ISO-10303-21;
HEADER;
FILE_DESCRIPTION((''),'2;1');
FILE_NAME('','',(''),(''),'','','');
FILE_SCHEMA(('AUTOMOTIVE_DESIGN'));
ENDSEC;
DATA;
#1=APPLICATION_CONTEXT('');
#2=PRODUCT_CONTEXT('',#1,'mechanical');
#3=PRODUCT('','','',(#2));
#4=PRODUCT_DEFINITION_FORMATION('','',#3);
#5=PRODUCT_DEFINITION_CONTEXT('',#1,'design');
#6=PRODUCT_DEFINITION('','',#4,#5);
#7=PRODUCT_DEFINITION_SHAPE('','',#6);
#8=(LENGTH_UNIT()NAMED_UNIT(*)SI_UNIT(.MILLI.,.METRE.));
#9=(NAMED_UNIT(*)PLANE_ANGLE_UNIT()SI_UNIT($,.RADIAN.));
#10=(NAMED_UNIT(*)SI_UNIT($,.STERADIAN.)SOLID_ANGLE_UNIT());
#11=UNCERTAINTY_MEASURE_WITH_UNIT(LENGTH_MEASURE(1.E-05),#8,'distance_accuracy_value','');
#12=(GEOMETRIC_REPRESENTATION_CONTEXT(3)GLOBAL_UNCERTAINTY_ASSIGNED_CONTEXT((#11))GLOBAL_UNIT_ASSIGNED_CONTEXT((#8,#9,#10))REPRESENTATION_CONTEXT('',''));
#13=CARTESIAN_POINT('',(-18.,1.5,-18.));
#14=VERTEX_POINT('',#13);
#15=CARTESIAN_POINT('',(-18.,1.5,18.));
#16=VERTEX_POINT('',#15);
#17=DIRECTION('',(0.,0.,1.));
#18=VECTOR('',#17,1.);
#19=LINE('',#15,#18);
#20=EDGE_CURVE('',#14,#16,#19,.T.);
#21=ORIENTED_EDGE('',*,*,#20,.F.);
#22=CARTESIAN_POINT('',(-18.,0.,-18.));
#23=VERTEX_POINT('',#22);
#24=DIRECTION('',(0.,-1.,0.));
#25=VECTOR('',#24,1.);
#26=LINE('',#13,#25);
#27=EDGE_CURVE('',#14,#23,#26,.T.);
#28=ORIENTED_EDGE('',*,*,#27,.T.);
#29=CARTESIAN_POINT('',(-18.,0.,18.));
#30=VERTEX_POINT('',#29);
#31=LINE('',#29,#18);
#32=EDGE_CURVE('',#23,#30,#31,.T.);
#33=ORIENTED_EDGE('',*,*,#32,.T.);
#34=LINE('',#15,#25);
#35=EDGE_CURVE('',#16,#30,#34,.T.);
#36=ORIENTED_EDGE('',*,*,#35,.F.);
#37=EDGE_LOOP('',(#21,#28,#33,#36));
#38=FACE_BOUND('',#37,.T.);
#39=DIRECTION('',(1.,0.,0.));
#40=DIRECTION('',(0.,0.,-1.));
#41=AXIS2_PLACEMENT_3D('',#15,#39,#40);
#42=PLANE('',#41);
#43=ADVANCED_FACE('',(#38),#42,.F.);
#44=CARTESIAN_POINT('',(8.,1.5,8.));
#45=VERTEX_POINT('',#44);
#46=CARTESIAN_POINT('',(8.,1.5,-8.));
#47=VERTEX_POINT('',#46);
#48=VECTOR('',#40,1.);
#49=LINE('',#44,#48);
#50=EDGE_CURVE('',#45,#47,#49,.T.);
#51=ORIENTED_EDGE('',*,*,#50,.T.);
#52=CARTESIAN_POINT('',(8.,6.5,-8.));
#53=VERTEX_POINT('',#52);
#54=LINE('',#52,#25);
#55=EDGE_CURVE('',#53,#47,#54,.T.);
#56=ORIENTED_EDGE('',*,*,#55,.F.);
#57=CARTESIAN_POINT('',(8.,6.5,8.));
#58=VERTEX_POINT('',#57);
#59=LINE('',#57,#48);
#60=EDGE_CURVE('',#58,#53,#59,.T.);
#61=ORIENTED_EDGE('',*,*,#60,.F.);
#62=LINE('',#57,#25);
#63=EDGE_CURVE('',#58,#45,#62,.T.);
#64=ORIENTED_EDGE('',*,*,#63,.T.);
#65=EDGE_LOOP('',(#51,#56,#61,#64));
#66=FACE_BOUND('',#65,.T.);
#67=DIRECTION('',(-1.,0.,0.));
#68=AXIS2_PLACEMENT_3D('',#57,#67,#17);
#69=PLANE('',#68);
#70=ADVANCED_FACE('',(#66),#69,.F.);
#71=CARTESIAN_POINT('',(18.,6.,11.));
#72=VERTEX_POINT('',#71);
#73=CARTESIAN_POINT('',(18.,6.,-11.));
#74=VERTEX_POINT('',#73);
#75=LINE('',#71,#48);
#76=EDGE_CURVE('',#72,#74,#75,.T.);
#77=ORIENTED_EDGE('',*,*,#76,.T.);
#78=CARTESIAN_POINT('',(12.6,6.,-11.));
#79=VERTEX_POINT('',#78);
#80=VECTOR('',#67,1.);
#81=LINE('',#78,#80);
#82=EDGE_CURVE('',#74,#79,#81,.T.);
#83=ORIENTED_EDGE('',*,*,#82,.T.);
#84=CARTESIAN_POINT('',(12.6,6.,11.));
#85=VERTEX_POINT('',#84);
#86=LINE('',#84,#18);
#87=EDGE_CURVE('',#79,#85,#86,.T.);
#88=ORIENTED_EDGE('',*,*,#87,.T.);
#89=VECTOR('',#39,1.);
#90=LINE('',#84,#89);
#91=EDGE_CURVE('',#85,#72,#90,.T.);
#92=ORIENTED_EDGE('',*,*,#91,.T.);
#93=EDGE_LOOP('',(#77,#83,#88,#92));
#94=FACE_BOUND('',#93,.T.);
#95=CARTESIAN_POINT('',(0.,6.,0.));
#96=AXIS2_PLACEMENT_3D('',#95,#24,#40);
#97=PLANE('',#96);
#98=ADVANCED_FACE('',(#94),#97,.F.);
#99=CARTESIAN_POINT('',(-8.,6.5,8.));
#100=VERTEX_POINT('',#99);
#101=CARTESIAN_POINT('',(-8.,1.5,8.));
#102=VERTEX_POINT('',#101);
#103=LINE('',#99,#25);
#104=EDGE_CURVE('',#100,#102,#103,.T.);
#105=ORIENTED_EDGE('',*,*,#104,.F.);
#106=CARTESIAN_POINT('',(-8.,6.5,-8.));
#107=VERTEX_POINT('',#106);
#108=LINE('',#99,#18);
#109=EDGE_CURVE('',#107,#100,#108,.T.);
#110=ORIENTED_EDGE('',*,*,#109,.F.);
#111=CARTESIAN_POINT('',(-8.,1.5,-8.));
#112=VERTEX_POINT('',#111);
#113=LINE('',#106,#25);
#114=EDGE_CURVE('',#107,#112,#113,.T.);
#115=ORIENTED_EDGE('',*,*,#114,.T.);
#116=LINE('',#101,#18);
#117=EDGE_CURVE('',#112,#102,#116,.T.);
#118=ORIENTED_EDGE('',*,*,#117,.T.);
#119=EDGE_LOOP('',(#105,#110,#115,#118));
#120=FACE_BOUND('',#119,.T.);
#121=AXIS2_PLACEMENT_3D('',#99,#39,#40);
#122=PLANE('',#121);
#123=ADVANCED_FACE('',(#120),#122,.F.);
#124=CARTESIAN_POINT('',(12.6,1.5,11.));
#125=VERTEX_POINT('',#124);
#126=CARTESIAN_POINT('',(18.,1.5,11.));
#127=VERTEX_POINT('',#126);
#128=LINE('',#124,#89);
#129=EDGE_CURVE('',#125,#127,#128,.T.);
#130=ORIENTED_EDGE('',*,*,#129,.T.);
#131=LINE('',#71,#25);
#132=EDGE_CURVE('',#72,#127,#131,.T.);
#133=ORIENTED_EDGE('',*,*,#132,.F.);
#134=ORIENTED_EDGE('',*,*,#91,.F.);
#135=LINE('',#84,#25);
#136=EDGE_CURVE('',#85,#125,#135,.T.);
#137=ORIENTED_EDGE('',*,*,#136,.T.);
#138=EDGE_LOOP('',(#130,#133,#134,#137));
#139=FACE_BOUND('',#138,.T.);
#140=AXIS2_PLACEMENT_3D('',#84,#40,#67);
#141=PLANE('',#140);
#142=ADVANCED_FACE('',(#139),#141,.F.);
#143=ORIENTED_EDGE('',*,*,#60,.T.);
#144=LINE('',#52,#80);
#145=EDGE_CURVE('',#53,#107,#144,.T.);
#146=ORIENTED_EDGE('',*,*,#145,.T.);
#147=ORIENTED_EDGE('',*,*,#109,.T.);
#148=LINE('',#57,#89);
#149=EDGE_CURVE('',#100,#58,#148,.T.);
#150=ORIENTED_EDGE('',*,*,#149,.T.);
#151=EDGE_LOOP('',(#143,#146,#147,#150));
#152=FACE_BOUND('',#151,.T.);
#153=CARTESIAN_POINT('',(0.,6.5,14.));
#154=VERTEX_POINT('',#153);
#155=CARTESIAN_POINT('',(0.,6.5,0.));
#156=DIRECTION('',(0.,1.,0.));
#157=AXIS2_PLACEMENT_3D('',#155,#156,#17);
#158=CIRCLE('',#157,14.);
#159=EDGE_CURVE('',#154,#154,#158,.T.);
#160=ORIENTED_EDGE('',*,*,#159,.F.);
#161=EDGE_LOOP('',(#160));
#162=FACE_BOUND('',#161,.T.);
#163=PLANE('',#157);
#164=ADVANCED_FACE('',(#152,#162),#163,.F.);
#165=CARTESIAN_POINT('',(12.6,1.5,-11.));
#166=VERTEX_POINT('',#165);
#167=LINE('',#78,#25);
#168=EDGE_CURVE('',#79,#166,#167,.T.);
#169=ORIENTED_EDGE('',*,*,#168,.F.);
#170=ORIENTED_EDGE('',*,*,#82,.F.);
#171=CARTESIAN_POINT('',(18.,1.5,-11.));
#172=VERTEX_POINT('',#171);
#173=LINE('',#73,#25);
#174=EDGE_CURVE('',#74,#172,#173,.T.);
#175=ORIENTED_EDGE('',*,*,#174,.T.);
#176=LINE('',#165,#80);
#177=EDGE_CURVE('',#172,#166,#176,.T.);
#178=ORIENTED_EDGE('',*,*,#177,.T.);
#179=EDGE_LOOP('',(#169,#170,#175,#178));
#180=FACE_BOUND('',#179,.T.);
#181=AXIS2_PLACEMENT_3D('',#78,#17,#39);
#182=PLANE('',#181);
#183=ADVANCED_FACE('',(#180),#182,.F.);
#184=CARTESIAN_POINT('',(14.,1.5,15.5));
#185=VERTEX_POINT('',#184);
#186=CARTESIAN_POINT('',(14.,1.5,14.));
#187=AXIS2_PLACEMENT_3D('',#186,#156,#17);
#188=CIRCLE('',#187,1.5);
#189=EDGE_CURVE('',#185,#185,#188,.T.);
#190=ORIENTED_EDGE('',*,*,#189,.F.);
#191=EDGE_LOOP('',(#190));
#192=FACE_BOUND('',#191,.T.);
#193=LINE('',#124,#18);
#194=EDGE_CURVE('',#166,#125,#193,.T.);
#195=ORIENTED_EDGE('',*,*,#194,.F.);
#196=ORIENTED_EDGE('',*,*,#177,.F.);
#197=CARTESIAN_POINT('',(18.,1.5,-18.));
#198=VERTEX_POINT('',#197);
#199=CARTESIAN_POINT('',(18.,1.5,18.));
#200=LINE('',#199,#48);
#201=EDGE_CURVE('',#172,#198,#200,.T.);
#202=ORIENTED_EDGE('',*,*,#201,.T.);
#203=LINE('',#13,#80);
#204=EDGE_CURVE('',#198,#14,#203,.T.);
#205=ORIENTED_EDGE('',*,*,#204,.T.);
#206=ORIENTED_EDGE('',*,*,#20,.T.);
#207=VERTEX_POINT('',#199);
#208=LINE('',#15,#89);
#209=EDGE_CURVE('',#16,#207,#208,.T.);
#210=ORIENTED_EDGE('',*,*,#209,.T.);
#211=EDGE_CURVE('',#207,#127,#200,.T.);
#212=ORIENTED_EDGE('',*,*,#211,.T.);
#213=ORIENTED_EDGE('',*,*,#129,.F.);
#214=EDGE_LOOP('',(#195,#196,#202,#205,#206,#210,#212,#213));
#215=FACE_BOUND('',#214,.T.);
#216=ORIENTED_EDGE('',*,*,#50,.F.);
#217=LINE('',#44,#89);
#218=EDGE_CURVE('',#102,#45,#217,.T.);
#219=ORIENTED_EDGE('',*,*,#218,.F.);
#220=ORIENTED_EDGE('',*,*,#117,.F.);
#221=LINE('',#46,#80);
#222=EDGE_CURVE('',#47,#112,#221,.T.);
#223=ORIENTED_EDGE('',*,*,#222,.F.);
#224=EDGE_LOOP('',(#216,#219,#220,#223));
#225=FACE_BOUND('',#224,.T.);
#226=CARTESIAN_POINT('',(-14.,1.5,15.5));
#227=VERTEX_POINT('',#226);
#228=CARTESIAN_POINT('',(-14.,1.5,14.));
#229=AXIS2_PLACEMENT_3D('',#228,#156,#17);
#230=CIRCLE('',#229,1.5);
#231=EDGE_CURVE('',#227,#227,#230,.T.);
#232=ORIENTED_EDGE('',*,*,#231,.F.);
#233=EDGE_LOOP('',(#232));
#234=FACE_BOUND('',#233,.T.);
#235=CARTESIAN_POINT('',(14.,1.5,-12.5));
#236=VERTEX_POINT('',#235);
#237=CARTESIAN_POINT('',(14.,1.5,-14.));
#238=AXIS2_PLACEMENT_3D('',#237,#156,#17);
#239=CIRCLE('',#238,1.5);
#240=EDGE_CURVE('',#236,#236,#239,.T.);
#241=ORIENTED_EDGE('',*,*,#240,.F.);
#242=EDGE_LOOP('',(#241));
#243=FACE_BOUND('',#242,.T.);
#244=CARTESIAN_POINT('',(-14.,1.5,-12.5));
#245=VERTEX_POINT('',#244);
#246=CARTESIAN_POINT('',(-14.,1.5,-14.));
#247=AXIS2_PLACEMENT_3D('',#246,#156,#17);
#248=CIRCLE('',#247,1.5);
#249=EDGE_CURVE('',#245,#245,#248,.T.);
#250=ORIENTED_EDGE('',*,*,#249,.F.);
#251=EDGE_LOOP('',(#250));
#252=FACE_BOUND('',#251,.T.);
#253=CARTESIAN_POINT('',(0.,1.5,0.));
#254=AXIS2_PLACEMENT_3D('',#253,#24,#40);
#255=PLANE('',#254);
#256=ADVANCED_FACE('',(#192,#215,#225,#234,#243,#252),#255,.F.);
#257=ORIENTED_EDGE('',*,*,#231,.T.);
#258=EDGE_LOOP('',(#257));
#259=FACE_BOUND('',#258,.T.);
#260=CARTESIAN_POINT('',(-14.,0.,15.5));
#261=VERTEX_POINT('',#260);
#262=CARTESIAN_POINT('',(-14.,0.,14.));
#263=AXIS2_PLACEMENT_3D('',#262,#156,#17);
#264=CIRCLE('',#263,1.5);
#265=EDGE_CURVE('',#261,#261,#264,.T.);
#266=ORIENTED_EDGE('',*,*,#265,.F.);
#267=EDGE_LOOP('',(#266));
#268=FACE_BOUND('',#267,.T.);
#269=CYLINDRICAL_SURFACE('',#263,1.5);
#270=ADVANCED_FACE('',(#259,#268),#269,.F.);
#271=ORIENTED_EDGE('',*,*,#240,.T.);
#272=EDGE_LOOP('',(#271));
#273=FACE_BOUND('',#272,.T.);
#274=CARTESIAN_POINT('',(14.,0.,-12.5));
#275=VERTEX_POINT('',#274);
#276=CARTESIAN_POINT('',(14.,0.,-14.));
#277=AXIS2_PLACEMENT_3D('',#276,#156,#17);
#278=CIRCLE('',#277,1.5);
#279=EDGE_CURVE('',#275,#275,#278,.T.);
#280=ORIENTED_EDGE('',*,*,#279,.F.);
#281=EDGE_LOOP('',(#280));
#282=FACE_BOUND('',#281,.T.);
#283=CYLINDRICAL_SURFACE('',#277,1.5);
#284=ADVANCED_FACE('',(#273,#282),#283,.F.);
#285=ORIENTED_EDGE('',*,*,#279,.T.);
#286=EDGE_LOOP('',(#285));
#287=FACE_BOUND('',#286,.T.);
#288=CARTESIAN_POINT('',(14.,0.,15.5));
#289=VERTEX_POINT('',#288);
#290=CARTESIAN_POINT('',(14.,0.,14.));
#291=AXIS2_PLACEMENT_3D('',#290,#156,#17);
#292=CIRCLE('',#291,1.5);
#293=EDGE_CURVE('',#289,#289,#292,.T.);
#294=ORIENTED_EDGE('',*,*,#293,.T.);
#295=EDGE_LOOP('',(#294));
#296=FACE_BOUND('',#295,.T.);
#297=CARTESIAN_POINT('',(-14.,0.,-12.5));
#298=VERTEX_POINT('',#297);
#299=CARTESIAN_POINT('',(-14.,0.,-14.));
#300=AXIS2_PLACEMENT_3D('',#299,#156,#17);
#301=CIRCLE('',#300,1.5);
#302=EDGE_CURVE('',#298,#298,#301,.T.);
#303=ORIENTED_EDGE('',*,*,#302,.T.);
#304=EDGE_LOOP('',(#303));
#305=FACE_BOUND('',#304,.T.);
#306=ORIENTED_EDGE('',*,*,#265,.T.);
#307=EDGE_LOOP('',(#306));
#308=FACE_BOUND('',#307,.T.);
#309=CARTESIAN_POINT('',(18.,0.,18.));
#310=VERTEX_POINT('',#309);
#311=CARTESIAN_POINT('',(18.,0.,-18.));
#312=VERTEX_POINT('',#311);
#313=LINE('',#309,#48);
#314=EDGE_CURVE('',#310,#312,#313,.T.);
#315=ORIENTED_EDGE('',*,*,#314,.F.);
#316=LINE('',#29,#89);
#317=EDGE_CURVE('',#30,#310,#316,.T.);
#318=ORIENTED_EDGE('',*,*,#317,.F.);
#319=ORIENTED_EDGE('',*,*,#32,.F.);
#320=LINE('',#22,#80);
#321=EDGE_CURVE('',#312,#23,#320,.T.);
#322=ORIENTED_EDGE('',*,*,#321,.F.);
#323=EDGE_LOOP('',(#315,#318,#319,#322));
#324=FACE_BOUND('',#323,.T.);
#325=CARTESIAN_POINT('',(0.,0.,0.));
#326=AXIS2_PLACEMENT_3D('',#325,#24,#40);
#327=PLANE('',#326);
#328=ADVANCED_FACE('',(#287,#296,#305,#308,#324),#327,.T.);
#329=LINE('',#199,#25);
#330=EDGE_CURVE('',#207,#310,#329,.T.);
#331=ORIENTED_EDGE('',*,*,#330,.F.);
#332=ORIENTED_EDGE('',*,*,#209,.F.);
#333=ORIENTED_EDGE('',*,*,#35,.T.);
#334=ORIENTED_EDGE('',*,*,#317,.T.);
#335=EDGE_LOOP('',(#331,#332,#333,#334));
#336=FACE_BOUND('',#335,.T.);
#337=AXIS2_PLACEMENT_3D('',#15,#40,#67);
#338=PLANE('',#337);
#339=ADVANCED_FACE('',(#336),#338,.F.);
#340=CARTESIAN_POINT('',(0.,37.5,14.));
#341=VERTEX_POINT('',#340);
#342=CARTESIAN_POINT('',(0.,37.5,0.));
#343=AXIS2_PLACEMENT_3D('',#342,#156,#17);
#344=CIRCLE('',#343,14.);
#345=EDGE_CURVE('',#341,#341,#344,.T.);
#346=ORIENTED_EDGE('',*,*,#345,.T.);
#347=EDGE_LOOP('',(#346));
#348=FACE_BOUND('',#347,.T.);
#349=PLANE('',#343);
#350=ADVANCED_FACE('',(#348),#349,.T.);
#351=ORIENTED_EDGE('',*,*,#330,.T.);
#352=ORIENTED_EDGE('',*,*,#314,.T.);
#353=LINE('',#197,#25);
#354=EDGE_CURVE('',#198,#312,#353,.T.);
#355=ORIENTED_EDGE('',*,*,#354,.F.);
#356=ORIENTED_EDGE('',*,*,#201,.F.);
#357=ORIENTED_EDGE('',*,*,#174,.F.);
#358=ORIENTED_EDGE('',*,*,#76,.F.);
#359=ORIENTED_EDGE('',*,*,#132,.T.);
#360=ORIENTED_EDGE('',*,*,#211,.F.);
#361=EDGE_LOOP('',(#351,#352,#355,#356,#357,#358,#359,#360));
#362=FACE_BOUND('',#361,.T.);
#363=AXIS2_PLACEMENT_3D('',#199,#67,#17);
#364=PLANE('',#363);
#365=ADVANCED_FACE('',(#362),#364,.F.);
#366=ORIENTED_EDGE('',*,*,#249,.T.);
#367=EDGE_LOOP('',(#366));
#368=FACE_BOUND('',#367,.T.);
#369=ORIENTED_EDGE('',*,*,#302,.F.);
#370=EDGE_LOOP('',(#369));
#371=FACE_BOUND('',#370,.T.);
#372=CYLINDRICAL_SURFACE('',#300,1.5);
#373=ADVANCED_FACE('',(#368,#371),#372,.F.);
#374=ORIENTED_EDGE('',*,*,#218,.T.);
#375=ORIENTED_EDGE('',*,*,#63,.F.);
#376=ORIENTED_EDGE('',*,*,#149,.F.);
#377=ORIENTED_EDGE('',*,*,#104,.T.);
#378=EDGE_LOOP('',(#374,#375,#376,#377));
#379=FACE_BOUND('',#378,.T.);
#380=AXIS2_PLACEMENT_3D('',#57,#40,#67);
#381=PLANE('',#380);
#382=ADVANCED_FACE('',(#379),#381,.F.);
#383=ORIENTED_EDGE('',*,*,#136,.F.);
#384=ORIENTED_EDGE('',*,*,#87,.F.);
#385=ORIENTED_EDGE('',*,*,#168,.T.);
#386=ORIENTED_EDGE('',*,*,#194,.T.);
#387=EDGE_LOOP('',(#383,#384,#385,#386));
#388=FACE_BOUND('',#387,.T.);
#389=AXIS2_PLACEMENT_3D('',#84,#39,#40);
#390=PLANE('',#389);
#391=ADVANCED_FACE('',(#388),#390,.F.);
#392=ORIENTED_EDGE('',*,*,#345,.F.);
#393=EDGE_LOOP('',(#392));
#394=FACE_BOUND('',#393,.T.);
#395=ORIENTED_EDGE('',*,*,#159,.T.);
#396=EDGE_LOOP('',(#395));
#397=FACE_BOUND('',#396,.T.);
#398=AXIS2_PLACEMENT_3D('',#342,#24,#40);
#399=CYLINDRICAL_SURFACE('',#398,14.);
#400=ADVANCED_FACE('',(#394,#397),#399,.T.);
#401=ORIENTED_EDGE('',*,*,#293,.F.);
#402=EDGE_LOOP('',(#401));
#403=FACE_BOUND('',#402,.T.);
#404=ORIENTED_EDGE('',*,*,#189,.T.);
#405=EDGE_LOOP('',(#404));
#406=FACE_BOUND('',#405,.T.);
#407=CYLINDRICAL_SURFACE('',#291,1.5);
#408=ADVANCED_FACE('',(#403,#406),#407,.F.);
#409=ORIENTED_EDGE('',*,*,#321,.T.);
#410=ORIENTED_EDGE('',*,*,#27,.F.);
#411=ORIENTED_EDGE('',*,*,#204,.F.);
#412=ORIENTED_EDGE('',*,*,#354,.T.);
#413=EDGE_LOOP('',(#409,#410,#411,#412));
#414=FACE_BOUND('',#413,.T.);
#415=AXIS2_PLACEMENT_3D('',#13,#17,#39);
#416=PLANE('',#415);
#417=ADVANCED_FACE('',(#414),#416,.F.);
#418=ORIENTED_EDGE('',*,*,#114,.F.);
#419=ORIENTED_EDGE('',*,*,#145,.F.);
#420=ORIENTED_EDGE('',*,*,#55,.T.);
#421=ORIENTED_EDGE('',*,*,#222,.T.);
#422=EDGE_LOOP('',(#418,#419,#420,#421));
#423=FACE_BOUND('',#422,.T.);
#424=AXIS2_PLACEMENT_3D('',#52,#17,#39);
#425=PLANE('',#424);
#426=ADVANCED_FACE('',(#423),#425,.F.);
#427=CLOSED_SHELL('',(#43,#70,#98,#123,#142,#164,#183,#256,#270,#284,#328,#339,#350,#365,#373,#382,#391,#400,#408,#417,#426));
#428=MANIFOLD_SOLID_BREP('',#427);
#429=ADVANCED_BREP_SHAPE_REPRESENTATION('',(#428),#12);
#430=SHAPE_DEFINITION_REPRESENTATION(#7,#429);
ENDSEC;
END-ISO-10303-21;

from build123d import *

# Parameters (mm, degrees)
SKETCH1_W           = 36
SKETCH1_H           = 36
BOSS_EXTRUDE1_DEPTH = 1.5
SKETCH2_R           = 1.5
CUT_EXTRUDE1_DEPTH  = 26.5
SKETCH5_W           = 5.4
SKETCH5_H           = 22
BOSS_EXTRUDE4_DEPTH = 4.5
SKETCH6_W           = 16
SKETCH6_H           = 16
BOSS_EXTRUDE5_DEPTH = 5
SKETCH7_R           = 14
BOSS_EXTRUDE6_DEPTH = 31


with BuildPart() as part:
    # Sketch1 → Boss-Extrude1 (new body)
    with BuildSketch(Plane(origin=(0, 0, 0), x_dir=(1, 0, 0), z_dir=(0, 1, 0))):
        Rectangle(SKETCH1_W, SKETCH1_H)
    extrude(amount=BOSS_EXTRUDE1_DEPTH)

    # Sketch2 → Cut-Extrude1 (cut, through all)
    with BuildSketch(Plane(origin=(0, 1.5, 0), x_dir=(1, 0, 0), z_dir=(0, 1, 0))):
        with Locations(Location((14, 14, 0), (0, 0, 270))):
            Circle(SKETCH2_R)
        with Locations(Location((14, -14, 0), (0, 0, 270))):
            Circle(SKETCH2_R)
        with Locations(Location((-14, -14, 0), (0, 0, 270))):
            Circle(SKETCH2_R)
        with Locations(Location((-14, 14, 0), (0, 0, 270))):
            Circle(SKETCH2_R)
    extrude(amount=-CUT_EXTRUDE1_DEPTH, mode=Mode.SUBTRACT)

    # Sketch5 → Boss-Extrude4 (add)
    with BuildSketch(Plane(origin=(0, 1.5, 0), x_dir=(1, 0, 0), z_dir=(0, 1, 0))):
        with Locations((15.3, 0)):
            Rectangle(SKETCH5_W, SKETCH5_H)
    extrude(amount=BOSS_EXTRUDE4_DEPTH)

    # Sketch6 → Boss-Extrude5 (add)
    with BuildSketch(Plane(origin=(0, 1.5, 0), x_dir=(1, 0, 0), z_dir=(0, 1, 0))):
        Rectangle(SKETCH6_W, SKETCH6_H)
    extrude(amount=BOSS_EXTRUDE5_DEPTH)

    # Sketch7 → Boss-Extrude6 (add)
    with BuildSketch(Plane(origin=(0, 6.5, 0), x_dir=(1, 0, 0), z_dir=(0, 1, 0))):
        with Locations(Location((0, 0, 0), (0, 0, 270))):
            Circle(SKETCH7_R)
    extrude(amount=BOSS_EXTRUDE6_DEPTH)


solid = part.part
